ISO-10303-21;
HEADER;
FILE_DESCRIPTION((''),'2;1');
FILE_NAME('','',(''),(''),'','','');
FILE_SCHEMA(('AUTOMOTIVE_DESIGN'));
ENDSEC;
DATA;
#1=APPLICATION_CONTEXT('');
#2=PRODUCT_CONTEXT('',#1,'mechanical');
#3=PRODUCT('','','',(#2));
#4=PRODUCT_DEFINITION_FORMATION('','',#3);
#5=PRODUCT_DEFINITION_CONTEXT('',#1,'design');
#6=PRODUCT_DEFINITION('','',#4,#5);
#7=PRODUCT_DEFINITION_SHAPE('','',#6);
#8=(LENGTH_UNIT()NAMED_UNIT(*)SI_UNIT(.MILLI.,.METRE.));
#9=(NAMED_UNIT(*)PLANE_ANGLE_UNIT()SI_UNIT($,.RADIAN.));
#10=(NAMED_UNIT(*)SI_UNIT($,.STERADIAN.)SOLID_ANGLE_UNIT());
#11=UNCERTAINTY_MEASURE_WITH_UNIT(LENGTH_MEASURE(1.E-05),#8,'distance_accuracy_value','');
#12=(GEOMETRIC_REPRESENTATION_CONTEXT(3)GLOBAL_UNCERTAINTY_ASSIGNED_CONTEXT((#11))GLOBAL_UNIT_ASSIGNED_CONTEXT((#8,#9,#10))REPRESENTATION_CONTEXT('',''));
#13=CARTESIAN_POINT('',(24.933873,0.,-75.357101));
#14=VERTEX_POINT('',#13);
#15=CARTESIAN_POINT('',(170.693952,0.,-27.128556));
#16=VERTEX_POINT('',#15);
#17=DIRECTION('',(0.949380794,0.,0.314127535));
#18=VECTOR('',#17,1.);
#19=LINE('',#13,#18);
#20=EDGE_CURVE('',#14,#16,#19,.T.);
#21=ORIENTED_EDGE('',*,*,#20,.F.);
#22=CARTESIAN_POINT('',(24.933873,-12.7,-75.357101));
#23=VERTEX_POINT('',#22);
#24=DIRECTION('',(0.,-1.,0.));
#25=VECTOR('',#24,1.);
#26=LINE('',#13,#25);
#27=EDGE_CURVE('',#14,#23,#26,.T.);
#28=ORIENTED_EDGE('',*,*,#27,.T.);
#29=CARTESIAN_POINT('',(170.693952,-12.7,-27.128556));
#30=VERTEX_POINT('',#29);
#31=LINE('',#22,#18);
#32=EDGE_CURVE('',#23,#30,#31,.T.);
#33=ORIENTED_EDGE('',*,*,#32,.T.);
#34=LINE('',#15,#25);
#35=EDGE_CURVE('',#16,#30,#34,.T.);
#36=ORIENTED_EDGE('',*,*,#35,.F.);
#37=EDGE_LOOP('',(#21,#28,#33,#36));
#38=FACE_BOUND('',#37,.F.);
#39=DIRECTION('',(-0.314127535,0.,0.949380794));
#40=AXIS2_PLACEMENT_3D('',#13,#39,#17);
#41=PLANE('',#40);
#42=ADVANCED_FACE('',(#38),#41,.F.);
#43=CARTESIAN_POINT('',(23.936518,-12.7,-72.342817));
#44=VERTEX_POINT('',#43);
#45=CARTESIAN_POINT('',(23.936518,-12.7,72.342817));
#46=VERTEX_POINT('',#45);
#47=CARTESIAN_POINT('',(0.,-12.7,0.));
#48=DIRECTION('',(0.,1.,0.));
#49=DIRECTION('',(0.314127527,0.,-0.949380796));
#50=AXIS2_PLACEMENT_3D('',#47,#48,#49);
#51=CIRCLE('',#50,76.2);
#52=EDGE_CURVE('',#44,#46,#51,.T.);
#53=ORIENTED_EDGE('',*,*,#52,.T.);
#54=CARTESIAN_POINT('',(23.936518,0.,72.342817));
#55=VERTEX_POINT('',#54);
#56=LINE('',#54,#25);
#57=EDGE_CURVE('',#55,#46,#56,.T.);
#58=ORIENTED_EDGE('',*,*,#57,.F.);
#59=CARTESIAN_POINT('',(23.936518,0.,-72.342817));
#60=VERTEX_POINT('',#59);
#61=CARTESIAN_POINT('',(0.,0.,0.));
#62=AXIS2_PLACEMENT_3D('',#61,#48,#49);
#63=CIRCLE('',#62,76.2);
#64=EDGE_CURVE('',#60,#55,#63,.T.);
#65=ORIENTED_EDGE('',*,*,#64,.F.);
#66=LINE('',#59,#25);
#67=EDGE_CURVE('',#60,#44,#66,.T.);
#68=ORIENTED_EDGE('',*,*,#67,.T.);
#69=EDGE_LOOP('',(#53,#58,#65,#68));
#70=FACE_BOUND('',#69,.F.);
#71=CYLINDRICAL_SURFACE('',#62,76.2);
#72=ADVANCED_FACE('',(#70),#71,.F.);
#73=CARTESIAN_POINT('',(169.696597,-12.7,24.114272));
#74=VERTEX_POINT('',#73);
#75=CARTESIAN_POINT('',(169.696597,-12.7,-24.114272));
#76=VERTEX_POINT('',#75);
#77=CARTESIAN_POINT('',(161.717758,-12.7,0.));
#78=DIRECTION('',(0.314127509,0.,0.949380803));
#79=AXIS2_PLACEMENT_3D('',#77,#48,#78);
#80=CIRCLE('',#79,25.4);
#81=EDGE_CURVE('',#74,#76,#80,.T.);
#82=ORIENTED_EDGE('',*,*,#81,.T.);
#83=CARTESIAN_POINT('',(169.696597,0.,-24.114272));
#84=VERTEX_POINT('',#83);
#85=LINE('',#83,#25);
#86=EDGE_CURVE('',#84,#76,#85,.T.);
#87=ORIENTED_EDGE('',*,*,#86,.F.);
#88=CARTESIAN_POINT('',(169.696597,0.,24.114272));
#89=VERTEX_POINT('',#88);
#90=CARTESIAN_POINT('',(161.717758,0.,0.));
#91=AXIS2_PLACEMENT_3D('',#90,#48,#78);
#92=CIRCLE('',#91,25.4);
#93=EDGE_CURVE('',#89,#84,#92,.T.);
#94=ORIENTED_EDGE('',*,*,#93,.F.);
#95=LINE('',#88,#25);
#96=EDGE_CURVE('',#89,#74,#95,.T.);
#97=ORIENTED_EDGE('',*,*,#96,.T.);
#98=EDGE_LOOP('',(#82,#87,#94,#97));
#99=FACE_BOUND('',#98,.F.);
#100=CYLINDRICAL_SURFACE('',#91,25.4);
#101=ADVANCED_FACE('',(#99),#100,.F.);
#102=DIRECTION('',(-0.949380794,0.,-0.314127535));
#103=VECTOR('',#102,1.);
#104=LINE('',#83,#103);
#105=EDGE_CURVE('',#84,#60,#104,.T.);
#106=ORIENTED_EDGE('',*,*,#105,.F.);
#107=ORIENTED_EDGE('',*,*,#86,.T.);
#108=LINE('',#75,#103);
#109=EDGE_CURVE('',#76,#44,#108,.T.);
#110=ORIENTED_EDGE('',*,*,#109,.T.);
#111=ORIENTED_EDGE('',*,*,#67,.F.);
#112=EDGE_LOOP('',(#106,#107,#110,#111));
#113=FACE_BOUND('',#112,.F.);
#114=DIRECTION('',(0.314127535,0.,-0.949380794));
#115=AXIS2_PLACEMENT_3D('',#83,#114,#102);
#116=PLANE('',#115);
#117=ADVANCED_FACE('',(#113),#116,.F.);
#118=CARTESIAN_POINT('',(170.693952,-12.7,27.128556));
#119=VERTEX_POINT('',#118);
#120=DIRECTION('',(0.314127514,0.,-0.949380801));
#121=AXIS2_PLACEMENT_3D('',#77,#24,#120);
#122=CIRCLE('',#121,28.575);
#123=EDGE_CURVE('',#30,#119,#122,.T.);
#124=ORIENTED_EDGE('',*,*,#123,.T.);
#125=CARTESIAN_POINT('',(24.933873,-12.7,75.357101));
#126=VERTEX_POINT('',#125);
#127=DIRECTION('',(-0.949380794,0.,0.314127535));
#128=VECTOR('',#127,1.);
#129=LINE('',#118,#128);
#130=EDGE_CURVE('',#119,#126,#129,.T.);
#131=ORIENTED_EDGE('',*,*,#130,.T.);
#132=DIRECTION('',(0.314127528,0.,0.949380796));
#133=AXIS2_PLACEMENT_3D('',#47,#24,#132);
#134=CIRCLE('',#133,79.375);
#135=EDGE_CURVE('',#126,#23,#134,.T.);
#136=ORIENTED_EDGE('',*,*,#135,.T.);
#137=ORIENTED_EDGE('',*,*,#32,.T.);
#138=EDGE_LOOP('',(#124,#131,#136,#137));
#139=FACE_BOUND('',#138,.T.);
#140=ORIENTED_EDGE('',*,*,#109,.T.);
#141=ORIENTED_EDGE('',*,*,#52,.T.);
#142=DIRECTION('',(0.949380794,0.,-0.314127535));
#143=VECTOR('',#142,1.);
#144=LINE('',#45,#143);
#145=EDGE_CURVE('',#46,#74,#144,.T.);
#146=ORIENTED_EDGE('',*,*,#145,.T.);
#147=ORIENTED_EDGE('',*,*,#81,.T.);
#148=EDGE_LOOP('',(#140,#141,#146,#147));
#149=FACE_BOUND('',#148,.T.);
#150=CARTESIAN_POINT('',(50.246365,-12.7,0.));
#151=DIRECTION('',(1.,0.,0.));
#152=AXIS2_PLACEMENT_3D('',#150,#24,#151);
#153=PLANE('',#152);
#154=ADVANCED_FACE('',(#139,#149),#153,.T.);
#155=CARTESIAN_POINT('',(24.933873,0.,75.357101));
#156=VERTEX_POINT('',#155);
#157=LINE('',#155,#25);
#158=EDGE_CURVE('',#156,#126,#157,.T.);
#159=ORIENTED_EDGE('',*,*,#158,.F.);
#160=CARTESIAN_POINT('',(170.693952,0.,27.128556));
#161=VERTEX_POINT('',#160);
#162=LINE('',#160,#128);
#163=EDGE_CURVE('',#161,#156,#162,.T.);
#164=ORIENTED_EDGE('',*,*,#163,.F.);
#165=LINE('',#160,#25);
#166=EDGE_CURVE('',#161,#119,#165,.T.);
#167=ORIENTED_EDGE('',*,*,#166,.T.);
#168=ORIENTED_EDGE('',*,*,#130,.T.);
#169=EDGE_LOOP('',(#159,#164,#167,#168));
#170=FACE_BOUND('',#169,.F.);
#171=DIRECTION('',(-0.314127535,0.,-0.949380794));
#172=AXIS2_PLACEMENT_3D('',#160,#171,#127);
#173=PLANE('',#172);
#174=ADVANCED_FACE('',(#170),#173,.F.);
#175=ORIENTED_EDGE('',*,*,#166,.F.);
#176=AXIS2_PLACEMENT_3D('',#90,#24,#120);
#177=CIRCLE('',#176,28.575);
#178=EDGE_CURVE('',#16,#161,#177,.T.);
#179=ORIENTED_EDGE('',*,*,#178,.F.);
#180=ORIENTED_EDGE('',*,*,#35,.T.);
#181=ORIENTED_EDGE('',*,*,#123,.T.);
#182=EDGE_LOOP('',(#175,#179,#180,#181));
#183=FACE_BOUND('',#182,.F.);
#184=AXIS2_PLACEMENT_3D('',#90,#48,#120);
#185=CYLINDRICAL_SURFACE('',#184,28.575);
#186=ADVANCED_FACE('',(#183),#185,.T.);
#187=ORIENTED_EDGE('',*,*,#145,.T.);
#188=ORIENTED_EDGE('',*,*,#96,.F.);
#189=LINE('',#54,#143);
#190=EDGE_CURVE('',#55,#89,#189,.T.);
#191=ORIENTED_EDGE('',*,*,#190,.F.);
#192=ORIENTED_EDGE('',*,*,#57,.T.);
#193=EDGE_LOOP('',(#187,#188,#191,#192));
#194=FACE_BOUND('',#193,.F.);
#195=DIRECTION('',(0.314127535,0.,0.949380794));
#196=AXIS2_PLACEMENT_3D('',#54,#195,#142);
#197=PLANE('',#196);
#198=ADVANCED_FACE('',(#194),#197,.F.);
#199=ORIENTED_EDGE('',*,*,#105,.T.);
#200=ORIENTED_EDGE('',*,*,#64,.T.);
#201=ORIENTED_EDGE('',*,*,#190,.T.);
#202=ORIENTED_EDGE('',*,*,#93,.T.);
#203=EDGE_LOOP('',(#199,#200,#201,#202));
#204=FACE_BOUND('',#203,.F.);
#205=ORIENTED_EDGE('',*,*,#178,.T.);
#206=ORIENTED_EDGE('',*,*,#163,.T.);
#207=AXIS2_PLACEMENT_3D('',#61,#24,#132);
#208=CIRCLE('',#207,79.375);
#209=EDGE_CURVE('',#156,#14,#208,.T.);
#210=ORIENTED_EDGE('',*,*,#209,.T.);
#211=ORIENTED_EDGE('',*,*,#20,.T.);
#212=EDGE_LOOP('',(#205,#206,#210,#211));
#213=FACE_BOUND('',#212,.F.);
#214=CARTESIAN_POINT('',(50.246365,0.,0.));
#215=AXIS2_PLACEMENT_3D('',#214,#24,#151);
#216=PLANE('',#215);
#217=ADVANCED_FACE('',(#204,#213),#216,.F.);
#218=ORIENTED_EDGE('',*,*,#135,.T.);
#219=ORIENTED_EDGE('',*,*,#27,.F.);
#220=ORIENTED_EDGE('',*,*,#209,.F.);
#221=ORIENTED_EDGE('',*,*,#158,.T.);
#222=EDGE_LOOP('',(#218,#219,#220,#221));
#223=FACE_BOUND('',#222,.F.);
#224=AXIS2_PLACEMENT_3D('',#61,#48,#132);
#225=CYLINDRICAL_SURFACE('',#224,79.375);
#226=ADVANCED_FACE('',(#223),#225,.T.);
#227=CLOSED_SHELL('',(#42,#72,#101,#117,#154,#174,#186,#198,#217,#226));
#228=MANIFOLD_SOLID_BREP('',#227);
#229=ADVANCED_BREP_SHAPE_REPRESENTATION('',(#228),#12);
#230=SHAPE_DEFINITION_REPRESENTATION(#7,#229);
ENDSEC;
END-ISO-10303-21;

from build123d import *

# Parameters (mm, degrees)
F2_DEPTH = 12.7


with BuildPart() as f2:
    # F1 (on face) → F2 (new body)
    with BuildSketch(Plane.XZ):
        with BuildLine():
            Line((170.693952, 27.128556), (24.933873, 75.357101))
            ThreePointArc((24.933873, 75.357101), (-79.375, 0), (24.933873, -75.357101))
            Line((24.933873, -75.357101), (170.693952, -27.128556))
            ThreePointArc((170.693952, -27.128556), (190.292758, 0), (170.693952, 27.128556))
        make_face()
        with BuildLine():
            ThreePointArc((23.936518, -72.342817), (-76.2, 0), (23.936518, 72.342817))
            Line((23.936518, 72.342817), (169.696597, 24.114272))
            ThreePointArc((169.696597, 24.114272), (187.117758, 0), (169.696597, -24.114272))
            Line((169.696597, -24.114272), (23.936518, -72.342817))
        make_face(mode=Mode.SUBTRACT)
    extrude(amount=F2_DEPTH)


solid = f2.part
